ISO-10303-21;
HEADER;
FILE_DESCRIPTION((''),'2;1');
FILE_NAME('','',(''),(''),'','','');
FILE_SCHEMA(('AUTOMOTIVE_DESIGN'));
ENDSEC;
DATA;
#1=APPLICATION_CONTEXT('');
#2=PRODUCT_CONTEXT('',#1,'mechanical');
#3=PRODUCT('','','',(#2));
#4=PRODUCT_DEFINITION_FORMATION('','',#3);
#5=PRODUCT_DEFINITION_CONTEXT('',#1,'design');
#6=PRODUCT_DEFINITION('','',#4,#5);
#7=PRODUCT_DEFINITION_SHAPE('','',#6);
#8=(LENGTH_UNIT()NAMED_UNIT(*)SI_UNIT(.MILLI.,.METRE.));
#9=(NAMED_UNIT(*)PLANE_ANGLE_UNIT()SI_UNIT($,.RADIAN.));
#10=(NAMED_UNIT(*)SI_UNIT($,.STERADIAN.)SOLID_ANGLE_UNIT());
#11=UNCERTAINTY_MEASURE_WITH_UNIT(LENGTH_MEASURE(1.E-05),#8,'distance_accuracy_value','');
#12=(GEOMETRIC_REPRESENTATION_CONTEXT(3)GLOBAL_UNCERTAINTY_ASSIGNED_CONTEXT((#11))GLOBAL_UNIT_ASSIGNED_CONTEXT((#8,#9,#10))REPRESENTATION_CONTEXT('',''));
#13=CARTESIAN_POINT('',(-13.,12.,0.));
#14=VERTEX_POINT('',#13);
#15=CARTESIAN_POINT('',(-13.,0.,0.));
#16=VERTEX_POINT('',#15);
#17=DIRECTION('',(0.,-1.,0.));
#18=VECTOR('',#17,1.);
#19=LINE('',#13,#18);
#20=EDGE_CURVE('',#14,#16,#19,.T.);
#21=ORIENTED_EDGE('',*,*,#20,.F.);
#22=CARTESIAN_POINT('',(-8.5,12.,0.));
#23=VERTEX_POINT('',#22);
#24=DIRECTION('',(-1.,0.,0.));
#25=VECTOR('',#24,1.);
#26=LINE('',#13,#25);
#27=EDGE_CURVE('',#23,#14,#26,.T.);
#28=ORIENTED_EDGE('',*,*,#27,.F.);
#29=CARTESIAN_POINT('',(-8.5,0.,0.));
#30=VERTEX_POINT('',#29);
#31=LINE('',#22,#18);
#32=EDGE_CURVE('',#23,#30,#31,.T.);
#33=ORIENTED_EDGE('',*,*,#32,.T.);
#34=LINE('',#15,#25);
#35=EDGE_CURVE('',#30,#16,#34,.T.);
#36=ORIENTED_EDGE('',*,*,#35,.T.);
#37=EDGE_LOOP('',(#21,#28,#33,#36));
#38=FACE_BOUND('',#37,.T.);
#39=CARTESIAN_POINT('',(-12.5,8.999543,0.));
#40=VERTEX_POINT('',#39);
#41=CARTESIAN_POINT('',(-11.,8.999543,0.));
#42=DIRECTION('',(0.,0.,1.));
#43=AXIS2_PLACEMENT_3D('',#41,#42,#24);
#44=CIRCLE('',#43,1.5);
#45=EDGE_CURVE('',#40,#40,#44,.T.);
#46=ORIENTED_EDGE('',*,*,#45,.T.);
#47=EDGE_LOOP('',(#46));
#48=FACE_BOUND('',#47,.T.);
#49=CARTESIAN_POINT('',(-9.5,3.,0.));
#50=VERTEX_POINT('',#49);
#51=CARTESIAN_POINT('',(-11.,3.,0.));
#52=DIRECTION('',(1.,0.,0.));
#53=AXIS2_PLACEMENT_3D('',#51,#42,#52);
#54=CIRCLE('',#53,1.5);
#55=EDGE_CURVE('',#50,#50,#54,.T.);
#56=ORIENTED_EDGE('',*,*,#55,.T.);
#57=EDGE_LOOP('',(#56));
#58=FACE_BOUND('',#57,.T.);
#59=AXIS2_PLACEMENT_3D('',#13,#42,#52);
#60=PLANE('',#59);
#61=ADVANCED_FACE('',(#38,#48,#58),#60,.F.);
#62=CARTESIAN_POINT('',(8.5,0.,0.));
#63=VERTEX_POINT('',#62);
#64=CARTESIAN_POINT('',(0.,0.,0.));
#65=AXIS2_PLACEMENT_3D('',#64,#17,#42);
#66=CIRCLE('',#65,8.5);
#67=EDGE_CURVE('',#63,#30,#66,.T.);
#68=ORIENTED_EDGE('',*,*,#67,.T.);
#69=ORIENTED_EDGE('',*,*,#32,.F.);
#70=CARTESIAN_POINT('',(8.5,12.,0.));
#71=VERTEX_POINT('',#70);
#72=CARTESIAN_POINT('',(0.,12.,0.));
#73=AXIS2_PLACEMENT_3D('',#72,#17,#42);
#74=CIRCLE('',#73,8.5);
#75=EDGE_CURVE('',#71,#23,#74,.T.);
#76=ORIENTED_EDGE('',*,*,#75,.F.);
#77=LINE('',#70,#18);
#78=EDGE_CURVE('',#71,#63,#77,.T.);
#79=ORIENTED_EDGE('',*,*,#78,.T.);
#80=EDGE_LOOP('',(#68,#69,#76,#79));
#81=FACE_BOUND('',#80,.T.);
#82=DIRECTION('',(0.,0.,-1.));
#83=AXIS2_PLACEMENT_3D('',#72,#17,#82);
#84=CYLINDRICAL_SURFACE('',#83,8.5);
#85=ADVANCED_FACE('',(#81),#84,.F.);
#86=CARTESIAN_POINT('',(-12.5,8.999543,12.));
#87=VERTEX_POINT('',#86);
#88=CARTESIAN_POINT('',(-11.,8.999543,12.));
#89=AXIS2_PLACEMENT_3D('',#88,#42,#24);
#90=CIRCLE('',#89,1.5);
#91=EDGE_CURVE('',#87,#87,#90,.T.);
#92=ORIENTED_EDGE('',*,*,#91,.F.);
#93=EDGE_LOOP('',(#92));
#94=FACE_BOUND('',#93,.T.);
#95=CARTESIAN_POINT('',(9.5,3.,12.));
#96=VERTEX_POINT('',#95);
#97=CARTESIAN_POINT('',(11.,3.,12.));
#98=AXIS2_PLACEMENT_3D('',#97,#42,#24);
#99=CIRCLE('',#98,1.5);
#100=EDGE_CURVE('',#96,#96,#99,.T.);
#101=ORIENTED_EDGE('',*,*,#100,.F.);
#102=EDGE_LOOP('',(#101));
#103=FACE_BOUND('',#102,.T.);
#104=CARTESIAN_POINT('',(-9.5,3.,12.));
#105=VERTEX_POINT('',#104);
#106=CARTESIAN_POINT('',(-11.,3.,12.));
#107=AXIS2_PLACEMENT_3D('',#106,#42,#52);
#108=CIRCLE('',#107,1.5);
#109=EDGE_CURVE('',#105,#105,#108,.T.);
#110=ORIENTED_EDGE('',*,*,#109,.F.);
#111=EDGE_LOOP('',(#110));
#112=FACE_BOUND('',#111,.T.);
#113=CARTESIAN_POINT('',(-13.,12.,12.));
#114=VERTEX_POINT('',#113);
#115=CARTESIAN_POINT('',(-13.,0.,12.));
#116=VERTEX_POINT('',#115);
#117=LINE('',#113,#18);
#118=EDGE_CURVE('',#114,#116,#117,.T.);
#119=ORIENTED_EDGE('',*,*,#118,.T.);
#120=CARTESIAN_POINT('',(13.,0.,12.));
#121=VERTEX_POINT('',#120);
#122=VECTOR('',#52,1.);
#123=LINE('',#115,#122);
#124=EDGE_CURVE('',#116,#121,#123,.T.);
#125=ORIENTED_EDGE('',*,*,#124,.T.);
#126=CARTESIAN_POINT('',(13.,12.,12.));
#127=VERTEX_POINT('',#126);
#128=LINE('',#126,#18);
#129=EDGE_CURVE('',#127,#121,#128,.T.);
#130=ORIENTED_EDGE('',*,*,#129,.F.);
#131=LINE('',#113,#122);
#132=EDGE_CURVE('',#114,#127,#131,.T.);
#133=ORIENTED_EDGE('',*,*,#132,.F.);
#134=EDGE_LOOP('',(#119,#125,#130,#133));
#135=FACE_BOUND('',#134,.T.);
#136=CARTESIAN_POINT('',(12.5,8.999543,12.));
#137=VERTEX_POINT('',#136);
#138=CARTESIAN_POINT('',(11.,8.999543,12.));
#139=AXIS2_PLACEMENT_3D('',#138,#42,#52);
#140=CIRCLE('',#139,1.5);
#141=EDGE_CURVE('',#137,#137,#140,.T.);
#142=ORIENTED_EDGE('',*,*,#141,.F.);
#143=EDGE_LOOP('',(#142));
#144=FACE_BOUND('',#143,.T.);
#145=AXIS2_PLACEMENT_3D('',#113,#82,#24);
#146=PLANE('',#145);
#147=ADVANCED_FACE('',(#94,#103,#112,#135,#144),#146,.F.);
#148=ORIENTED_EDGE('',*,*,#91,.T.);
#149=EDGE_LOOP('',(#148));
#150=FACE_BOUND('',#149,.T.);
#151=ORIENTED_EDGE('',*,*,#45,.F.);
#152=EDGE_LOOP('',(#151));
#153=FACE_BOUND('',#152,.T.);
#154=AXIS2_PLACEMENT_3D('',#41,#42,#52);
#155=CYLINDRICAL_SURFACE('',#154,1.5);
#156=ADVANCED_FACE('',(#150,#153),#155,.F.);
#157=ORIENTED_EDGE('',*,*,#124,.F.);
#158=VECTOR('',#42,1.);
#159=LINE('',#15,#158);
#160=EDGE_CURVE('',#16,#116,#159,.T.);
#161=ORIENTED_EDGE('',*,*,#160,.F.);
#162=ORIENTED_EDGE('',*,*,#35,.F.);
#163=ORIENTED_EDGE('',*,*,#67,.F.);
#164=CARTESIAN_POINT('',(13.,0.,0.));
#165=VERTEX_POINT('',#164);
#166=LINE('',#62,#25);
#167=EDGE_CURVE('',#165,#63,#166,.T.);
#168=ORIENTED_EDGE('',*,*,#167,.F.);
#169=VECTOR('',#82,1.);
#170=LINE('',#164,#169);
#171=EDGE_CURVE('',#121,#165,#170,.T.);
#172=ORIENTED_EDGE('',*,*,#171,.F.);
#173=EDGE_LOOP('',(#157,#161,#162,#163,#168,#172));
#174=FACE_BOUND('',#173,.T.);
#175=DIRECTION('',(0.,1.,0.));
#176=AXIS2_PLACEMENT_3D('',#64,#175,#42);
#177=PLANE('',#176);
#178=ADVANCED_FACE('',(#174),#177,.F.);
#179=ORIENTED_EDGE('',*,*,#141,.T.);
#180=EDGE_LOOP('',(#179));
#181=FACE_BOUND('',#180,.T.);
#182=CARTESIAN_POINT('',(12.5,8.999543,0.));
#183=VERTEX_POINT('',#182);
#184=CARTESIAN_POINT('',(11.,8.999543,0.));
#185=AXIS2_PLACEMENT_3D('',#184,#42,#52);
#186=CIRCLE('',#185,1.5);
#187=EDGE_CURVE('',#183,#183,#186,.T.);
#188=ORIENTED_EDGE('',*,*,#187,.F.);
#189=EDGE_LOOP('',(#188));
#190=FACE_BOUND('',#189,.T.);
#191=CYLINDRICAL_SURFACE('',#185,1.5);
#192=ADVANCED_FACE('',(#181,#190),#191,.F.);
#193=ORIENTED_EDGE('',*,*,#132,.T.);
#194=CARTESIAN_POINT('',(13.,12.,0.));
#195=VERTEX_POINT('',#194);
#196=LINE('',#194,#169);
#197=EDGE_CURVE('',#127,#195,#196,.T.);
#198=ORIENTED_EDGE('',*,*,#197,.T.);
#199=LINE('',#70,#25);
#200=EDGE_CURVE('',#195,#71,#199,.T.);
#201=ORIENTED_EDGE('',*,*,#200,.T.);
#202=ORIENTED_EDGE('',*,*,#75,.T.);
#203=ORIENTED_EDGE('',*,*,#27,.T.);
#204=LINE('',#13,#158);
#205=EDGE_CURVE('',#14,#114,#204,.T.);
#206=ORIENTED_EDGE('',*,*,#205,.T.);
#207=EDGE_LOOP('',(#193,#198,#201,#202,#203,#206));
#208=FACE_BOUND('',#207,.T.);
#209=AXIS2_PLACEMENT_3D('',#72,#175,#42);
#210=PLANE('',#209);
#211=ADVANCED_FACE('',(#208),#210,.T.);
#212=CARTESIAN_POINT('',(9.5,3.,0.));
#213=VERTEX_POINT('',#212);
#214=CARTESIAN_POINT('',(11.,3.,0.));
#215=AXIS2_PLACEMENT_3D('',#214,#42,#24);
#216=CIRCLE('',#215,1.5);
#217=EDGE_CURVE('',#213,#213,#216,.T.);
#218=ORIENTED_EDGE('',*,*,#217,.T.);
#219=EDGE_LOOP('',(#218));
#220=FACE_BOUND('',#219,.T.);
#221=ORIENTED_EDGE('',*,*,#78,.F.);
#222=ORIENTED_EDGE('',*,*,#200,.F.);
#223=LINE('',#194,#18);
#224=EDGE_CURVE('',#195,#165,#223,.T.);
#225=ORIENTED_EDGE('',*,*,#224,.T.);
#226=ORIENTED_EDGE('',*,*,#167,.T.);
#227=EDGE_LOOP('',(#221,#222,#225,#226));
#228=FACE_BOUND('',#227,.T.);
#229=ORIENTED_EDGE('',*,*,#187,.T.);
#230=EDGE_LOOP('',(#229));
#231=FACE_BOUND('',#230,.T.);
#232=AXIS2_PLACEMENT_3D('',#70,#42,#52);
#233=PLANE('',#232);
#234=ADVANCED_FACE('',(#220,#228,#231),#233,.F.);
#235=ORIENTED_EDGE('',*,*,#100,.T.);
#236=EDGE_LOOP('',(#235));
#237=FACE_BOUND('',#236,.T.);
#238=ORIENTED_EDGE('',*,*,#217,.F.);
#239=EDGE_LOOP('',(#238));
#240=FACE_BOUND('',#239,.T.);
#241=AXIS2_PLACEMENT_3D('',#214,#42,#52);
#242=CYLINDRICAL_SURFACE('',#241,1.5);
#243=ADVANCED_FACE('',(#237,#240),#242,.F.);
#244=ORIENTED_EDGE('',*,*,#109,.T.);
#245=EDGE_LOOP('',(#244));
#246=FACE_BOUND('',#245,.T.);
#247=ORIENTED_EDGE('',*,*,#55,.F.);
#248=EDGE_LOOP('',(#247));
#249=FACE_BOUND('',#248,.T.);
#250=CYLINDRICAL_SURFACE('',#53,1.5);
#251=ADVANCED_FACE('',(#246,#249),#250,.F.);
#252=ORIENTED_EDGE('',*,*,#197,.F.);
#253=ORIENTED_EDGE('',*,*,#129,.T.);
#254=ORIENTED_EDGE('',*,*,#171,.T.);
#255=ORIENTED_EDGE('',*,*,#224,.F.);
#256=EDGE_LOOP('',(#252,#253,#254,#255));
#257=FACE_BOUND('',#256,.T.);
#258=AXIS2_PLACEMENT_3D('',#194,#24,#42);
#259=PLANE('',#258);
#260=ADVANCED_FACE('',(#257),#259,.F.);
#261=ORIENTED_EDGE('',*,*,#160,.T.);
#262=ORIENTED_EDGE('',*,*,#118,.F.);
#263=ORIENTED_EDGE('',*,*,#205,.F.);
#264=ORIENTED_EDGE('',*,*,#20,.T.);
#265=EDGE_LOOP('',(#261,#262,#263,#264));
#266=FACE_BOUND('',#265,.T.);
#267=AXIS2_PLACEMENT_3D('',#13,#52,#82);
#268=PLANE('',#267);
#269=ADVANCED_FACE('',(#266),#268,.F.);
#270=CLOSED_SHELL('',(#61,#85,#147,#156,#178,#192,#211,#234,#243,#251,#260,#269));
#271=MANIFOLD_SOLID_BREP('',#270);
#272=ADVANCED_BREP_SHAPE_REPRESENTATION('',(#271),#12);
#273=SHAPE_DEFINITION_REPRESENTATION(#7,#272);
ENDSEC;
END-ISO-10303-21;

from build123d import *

# Parameters (mm, degrees)
EXTRUDE_1_DEPTH     = 12
SKETCH_2_R          = 1.5
CUT_EXTRUDE_1_DEPTH = 12


with BuildPart() as part:
    # 草图1 → 凸台-拉伸1 (new body)
    with BuildSketch(Plane(origin=(0, 0, 0), x_dir=(1, 0, 0), z_dir=(0, 1, 0))):
        with BuildLine():
            Line((-13, 0), (-8.5, 0))
            ThreePointArc((-8.5, 0), (0, -8.5), (8.5, 0))
            Line((8.5, 0), (13, 0))
            Line((13, 0), (13, -12))
            Line((13, -12), (-13, -12))
            Line((-13, -12), (-13, 0))
        make_face()
    extrude(amount=EXTRUDE_1_DEPTH)

    # 草图2 → 切除-拉伸1 (cut)
    with BuildSketch(Plane.XY.offset(12)):
        with Locations((-11, 3)):
            Circle(SKETCH_2_R)
        with Locations(Location((11, 3, 0), (0, 0, 180))):
            Circle(SKETCH_2_R)
        with Locations((11, 8.999543006)):
            Circle(SKETCH_2_R)
        with Locations(Location((-11, 8.999543006, 0), (0, 0, 180))):
            Circle(SKETCH_2_R)
    extrude(amount=-CUT_EXTRUDE_1_DEPTH, mode=Mode.SUBTRACT)


solid = part.part
